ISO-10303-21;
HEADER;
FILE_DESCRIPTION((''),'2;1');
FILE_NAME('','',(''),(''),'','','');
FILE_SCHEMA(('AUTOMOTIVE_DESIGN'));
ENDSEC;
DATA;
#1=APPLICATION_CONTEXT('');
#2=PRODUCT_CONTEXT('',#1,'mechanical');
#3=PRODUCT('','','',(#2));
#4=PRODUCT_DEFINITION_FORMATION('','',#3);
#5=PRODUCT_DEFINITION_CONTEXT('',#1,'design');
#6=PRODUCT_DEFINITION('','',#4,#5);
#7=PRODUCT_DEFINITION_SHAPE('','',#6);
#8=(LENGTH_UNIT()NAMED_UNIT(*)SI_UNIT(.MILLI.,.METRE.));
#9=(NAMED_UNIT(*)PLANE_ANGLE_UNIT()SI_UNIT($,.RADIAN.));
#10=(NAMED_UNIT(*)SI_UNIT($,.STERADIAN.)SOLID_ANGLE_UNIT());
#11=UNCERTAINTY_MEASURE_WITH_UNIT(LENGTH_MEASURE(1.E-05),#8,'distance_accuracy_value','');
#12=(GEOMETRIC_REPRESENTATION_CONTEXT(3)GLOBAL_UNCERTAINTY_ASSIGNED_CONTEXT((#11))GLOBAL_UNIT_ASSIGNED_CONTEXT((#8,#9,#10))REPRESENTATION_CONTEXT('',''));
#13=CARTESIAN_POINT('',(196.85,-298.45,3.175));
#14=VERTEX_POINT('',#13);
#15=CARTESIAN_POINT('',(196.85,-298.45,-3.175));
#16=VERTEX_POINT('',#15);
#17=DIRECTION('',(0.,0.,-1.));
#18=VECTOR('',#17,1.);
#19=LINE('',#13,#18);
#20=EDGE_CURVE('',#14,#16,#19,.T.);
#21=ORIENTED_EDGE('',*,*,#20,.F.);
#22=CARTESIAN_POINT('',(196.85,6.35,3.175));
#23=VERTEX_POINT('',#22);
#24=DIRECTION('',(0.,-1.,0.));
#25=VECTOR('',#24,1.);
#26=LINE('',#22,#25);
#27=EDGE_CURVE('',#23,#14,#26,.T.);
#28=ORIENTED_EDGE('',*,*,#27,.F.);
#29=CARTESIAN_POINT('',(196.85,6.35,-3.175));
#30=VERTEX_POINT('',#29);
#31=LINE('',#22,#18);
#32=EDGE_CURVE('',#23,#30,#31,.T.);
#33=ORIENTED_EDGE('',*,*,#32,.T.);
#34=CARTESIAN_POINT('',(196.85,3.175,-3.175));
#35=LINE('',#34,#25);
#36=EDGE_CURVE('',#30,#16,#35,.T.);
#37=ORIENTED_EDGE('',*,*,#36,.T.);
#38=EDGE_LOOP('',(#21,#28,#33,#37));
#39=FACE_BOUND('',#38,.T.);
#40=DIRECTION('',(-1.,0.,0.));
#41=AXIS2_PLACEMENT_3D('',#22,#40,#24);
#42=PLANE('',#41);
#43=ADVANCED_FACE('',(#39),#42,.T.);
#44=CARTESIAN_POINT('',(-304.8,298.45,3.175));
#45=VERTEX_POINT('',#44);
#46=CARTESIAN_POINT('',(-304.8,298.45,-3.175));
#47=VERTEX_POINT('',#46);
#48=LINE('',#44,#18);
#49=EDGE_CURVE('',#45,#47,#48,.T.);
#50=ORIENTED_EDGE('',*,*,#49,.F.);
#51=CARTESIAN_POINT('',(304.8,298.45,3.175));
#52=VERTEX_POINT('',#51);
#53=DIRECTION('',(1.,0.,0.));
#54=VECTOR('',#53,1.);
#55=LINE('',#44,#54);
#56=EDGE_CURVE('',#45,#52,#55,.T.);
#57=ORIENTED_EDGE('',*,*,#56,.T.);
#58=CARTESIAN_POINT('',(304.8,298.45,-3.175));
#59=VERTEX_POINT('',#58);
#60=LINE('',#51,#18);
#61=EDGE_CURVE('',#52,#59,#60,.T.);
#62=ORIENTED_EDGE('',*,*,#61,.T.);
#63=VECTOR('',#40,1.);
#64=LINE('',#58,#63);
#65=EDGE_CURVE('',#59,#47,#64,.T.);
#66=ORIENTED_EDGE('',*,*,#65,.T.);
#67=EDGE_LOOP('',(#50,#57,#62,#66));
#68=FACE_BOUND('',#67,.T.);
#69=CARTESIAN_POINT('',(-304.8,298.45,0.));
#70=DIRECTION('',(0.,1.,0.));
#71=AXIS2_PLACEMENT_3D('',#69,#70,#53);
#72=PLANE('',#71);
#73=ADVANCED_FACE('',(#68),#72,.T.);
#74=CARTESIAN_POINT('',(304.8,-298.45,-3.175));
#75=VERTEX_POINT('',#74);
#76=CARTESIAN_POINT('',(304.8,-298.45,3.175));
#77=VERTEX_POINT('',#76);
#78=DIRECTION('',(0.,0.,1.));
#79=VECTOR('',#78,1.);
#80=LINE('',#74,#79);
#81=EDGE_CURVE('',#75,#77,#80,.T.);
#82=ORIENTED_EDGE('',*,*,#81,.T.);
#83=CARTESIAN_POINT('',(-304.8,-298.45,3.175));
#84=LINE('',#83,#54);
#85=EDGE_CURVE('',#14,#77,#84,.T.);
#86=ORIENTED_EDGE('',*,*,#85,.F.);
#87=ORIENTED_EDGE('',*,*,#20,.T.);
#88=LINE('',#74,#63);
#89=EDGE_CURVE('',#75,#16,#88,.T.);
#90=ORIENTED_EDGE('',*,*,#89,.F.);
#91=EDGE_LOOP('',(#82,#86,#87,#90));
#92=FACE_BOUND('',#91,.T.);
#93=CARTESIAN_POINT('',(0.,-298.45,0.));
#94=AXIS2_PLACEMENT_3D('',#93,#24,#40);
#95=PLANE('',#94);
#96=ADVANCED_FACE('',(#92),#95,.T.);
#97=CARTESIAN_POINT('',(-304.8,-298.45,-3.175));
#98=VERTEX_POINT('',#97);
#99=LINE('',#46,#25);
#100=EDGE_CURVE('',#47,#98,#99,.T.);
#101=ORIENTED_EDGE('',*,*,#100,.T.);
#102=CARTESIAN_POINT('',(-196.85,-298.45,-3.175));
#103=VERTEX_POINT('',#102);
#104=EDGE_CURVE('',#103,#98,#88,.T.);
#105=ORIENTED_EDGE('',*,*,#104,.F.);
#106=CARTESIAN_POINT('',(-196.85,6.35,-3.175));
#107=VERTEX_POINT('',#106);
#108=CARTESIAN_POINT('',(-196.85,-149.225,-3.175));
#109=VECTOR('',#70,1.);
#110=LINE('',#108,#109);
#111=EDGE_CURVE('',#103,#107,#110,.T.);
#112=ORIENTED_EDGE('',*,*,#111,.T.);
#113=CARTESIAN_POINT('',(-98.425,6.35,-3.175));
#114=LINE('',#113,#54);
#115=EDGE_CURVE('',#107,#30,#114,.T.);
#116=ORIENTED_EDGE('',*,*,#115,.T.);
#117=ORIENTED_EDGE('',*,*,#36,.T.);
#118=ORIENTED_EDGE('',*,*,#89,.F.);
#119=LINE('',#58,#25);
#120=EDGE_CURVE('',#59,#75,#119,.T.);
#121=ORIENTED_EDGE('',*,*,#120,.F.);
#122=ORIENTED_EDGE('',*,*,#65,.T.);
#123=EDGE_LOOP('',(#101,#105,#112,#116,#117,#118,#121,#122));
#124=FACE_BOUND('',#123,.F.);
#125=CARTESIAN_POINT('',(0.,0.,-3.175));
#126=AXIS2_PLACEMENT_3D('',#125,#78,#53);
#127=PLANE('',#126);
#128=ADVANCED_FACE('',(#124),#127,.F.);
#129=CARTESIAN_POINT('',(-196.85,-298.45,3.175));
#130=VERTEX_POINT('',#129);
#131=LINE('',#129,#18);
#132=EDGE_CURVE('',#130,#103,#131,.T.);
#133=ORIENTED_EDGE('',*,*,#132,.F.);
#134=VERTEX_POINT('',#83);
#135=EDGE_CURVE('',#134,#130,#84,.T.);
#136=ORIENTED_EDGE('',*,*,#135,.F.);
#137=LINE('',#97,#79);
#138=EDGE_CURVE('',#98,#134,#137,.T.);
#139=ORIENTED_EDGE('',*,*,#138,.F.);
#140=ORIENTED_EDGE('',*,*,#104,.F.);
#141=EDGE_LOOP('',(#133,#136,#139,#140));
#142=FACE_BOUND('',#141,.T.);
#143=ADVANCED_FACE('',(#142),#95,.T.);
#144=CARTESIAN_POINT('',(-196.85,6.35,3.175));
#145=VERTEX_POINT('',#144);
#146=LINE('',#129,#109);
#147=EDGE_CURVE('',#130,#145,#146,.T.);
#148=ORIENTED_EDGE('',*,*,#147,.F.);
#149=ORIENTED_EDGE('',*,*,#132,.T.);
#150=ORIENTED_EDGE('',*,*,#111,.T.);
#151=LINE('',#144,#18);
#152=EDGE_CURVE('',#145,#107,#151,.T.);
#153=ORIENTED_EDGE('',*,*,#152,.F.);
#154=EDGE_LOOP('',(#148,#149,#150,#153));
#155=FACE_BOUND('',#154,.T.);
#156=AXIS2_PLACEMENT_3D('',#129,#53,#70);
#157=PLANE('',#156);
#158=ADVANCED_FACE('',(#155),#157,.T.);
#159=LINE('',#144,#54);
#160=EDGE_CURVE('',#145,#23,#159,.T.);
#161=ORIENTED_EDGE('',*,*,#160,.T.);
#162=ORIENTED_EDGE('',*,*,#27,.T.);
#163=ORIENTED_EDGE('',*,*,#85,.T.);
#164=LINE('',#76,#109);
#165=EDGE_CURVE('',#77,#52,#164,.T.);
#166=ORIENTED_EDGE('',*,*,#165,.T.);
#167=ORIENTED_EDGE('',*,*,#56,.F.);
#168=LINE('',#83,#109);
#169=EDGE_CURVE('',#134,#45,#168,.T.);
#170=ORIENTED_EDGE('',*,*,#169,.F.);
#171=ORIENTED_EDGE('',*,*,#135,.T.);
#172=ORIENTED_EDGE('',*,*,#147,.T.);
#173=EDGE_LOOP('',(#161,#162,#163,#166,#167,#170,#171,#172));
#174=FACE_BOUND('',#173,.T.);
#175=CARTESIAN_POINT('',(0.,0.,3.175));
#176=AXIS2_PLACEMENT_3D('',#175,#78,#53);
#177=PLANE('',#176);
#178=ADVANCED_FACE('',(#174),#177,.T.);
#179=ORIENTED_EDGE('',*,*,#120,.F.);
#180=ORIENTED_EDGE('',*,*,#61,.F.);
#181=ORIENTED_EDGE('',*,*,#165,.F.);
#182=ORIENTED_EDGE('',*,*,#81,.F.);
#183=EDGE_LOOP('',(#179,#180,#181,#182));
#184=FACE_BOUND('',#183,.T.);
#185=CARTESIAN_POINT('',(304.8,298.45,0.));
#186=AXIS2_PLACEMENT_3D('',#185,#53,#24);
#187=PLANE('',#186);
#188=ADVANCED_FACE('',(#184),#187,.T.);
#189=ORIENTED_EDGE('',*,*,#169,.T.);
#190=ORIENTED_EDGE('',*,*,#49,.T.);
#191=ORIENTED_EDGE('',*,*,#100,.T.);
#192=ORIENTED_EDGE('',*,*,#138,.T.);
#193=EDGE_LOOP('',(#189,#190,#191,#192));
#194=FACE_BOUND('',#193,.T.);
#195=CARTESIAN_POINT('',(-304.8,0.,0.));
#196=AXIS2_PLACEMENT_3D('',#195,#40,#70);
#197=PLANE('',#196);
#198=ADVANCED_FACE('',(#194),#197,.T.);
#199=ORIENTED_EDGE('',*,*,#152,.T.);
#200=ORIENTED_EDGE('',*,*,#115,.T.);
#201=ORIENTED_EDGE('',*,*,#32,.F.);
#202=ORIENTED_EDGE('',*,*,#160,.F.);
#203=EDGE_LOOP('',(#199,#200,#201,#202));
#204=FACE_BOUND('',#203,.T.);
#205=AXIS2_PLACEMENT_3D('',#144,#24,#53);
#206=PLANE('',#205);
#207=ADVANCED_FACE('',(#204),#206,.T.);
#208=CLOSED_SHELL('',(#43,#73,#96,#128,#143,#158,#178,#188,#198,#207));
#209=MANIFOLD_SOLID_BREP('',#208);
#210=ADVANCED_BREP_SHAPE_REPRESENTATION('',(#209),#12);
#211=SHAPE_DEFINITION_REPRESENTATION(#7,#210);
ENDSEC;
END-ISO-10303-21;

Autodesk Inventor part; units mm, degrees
ref_plane "YZ Plane" through (0, 0, 0) normal (1, 0, 0) x (0, 1, 0)
ref_plane "XZ Plane" through (0, 0, 0) normal (0, 1, 0) x (-1, 0, 0)
sketch "Sketch1" plane through (0, 0, 0) normal (0, 0, 1) x (1, 0, 0)
  line L0 (-426.72, 0) -> (426.72, 0) projected
  line L1 (0, -417.83) -> (0, 417.83) projected
  line L2 (-304.8, 298.45) -> (304.8, 298.45)
  line L3 (304.8, 298.45) -> (304.8, -298.45)
  line L4 (304.8, -298.45) -> (-304.8, -298.45)
  line L5 (-304.8, -298.45) -> (-304.8, 298.45)
  point P0 (0, 0)
  point P1 (-304.8, 0)
  point P2 (0, 298.45)
  dimension "d0" = 609.6
  dimension "d1" = 596.9
extrude "Base" add sketch "Sketch1" along normal mid plane 6.35
sketch "Sketch2" plane through (0, 0, 3.175) normal (0, 0, 1) x (1, 0, 0)
  line L0 (304.8, -298.45) -> (-304.8, -298.45) projected
  line L1 (-196.85, -298.45) -> (-196.85, 6.35)
  line L2 (-196.85, 6.35) -> (196.85, 6.35)
  line L3 (196.85, 6.35) -> (196.85, -298.45)
  point P0 (0, 0)
  point P1 (0, 6.35)
  dimension "d4" = 304.8
  dimension "d5" = 393.7
extrude "Extrusion2" cut sketch "Sketch2" against normal through all
ref_plane "Work Plane1" through (-304.8, 152.4, 3.175) normal (0, 1, 0) x (1, 0, 0)
properties part number "electrical board seal front" material "ABS Plastic"
